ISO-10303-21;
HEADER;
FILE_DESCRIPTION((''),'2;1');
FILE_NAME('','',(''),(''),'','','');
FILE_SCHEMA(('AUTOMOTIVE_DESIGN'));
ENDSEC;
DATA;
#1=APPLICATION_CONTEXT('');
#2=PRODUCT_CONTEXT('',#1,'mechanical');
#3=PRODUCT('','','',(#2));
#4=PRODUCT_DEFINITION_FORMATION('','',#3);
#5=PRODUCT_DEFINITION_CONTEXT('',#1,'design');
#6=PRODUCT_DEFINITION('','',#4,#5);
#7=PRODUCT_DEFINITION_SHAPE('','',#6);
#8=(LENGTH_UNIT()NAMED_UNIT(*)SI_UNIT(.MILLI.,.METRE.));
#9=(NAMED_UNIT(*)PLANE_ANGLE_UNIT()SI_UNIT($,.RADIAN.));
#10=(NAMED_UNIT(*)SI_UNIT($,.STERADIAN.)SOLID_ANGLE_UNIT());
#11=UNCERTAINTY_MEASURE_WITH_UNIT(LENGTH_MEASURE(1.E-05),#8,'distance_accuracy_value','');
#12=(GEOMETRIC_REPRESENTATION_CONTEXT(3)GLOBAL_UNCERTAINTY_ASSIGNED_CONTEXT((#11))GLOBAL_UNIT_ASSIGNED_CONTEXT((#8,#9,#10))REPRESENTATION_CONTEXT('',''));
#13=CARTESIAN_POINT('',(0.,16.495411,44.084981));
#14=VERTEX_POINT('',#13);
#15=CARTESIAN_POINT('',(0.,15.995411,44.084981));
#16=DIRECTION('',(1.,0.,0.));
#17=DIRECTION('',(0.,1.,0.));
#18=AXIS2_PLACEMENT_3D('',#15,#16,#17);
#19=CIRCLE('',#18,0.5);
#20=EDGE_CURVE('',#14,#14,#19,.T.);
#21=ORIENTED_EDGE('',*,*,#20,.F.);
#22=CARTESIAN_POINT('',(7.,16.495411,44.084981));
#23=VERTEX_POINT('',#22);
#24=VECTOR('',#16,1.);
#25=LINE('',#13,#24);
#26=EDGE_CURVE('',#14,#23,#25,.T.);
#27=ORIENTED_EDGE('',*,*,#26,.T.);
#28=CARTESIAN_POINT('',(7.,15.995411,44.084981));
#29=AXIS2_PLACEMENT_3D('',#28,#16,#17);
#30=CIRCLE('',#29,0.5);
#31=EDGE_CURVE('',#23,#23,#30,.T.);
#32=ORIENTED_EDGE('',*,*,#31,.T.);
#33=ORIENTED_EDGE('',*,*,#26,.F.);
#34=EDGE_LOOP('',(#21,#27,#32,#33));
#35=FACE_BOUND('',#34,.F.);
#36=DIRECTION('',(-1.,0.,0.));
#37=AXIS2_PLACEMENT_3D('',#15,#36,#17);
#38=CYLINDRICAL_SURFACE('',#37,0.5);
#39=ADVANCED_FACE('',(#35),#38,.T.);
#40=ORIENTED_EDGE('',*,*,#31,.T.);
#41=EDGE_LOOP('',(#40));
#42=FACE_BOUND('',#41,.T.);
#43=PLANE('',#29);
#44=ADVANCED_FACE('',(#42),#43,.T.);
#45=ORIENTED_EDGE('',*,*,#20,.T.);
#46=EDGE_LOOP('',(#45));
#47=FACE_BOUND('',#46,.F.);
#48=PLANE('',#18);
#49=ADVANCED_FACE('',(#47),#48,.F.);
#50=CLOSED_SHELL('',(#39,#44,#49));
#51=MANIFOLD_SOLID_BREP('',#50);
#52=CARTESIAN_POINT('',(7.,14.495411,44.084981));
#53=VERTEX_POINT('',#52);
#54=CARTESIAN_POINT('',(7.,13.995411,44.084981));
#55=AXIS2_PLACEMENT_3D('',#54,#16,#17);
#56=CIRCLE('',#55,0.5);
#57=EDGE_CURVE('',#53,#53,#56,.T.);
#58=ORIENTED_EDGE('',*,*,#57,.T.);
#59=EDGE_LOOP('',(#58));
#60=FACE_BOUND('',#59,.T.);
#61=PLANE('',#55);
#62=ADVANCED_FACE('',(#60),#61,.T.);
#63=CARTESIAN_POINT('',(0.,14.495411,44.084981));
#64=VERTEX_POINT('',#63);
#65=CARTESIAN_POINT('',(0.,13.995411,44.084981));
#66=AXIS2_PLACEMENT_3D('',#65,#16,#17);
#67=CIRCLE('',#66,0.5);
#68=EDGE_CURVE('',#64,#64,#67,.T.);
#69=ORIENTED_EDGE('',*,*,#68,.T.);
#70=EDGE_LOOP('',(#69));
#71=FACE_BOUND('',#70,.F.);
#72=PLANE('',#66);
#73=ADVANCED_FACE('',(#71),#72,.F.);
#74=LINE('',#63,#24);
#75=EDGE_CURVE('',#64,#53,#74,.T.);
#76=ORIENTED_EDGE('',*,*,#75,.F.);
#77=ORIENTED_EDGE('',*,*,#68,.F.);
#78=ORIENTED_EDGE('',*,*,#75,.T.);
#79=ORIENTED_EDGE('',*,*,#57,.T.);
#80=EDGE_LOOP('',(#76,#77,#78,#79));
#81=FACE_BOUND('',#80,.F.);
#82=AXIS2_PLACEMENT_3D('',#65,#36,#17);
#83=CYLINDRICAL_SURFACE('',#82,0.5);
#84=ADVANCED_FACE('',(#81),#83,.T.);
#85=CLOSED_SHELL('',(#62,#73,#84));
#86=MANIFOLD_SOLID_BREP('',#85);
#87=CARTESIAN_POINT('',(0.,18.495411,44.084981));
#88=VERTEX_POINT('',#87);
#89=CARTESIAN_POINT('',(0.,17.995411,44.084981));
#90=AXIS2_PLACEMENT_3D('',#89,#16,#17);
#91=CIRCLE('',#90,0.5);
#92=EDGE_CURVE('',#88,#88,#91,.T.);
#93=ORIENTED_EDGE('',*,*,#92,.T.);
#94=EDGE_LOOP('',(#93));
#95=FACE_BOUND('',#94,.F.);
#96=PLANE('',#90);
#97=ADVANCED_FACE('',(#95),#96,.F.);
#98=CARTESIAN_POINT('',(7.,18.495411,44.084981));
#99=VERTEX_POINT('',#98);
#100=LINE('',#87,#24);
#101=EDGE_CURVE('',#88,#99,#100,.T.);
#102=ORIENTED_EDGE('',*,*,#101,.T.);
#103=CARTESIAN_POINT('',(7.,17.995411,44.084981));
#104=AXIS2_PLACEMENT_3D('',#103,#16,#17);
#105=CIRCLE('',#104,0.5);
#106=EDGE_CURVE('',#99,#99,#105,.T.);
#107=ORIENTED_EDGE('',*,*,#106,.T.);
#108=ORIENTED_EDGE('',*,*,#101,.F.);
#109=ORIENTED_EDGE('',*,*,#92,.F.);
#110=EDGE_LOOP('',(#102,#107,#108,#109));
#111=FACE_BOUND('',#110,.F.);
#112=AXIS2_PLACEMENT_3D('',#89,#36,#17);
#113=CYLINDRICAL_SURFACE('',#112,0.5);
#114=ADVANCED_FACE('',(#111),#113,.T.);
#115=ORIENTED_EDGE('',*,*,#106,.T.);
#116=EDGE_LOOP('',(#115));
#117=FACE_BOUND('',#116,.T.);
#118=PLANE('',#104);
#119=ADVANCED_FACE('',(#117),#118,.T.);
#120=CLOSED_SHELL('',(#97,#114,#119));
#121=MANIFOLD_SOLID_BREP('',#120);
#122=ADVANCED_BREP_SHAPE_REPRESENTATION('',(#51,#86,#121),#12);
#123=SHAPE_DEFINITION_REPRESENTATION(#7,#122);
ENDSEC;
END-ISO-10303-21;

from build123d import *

# Parameters (mm, degrees)
F0_R     = 0.5
F1_DEPTH = 7


with BuildPart() as f1:
    # F0 (on Right) → F1 (new body)
    with BuildSketch(Plane.YZ):
        with Locations((17.995411, 44.084981)):
            Circle(F0_R)
        with Locations((15.995411, 44.084981)):
            Circle(F0_R)
        with Locations((13.995411, 44.084981)):
            Circle(F0_R)
    extrude(amount=F1_DEPTH)


solid = f1.part
